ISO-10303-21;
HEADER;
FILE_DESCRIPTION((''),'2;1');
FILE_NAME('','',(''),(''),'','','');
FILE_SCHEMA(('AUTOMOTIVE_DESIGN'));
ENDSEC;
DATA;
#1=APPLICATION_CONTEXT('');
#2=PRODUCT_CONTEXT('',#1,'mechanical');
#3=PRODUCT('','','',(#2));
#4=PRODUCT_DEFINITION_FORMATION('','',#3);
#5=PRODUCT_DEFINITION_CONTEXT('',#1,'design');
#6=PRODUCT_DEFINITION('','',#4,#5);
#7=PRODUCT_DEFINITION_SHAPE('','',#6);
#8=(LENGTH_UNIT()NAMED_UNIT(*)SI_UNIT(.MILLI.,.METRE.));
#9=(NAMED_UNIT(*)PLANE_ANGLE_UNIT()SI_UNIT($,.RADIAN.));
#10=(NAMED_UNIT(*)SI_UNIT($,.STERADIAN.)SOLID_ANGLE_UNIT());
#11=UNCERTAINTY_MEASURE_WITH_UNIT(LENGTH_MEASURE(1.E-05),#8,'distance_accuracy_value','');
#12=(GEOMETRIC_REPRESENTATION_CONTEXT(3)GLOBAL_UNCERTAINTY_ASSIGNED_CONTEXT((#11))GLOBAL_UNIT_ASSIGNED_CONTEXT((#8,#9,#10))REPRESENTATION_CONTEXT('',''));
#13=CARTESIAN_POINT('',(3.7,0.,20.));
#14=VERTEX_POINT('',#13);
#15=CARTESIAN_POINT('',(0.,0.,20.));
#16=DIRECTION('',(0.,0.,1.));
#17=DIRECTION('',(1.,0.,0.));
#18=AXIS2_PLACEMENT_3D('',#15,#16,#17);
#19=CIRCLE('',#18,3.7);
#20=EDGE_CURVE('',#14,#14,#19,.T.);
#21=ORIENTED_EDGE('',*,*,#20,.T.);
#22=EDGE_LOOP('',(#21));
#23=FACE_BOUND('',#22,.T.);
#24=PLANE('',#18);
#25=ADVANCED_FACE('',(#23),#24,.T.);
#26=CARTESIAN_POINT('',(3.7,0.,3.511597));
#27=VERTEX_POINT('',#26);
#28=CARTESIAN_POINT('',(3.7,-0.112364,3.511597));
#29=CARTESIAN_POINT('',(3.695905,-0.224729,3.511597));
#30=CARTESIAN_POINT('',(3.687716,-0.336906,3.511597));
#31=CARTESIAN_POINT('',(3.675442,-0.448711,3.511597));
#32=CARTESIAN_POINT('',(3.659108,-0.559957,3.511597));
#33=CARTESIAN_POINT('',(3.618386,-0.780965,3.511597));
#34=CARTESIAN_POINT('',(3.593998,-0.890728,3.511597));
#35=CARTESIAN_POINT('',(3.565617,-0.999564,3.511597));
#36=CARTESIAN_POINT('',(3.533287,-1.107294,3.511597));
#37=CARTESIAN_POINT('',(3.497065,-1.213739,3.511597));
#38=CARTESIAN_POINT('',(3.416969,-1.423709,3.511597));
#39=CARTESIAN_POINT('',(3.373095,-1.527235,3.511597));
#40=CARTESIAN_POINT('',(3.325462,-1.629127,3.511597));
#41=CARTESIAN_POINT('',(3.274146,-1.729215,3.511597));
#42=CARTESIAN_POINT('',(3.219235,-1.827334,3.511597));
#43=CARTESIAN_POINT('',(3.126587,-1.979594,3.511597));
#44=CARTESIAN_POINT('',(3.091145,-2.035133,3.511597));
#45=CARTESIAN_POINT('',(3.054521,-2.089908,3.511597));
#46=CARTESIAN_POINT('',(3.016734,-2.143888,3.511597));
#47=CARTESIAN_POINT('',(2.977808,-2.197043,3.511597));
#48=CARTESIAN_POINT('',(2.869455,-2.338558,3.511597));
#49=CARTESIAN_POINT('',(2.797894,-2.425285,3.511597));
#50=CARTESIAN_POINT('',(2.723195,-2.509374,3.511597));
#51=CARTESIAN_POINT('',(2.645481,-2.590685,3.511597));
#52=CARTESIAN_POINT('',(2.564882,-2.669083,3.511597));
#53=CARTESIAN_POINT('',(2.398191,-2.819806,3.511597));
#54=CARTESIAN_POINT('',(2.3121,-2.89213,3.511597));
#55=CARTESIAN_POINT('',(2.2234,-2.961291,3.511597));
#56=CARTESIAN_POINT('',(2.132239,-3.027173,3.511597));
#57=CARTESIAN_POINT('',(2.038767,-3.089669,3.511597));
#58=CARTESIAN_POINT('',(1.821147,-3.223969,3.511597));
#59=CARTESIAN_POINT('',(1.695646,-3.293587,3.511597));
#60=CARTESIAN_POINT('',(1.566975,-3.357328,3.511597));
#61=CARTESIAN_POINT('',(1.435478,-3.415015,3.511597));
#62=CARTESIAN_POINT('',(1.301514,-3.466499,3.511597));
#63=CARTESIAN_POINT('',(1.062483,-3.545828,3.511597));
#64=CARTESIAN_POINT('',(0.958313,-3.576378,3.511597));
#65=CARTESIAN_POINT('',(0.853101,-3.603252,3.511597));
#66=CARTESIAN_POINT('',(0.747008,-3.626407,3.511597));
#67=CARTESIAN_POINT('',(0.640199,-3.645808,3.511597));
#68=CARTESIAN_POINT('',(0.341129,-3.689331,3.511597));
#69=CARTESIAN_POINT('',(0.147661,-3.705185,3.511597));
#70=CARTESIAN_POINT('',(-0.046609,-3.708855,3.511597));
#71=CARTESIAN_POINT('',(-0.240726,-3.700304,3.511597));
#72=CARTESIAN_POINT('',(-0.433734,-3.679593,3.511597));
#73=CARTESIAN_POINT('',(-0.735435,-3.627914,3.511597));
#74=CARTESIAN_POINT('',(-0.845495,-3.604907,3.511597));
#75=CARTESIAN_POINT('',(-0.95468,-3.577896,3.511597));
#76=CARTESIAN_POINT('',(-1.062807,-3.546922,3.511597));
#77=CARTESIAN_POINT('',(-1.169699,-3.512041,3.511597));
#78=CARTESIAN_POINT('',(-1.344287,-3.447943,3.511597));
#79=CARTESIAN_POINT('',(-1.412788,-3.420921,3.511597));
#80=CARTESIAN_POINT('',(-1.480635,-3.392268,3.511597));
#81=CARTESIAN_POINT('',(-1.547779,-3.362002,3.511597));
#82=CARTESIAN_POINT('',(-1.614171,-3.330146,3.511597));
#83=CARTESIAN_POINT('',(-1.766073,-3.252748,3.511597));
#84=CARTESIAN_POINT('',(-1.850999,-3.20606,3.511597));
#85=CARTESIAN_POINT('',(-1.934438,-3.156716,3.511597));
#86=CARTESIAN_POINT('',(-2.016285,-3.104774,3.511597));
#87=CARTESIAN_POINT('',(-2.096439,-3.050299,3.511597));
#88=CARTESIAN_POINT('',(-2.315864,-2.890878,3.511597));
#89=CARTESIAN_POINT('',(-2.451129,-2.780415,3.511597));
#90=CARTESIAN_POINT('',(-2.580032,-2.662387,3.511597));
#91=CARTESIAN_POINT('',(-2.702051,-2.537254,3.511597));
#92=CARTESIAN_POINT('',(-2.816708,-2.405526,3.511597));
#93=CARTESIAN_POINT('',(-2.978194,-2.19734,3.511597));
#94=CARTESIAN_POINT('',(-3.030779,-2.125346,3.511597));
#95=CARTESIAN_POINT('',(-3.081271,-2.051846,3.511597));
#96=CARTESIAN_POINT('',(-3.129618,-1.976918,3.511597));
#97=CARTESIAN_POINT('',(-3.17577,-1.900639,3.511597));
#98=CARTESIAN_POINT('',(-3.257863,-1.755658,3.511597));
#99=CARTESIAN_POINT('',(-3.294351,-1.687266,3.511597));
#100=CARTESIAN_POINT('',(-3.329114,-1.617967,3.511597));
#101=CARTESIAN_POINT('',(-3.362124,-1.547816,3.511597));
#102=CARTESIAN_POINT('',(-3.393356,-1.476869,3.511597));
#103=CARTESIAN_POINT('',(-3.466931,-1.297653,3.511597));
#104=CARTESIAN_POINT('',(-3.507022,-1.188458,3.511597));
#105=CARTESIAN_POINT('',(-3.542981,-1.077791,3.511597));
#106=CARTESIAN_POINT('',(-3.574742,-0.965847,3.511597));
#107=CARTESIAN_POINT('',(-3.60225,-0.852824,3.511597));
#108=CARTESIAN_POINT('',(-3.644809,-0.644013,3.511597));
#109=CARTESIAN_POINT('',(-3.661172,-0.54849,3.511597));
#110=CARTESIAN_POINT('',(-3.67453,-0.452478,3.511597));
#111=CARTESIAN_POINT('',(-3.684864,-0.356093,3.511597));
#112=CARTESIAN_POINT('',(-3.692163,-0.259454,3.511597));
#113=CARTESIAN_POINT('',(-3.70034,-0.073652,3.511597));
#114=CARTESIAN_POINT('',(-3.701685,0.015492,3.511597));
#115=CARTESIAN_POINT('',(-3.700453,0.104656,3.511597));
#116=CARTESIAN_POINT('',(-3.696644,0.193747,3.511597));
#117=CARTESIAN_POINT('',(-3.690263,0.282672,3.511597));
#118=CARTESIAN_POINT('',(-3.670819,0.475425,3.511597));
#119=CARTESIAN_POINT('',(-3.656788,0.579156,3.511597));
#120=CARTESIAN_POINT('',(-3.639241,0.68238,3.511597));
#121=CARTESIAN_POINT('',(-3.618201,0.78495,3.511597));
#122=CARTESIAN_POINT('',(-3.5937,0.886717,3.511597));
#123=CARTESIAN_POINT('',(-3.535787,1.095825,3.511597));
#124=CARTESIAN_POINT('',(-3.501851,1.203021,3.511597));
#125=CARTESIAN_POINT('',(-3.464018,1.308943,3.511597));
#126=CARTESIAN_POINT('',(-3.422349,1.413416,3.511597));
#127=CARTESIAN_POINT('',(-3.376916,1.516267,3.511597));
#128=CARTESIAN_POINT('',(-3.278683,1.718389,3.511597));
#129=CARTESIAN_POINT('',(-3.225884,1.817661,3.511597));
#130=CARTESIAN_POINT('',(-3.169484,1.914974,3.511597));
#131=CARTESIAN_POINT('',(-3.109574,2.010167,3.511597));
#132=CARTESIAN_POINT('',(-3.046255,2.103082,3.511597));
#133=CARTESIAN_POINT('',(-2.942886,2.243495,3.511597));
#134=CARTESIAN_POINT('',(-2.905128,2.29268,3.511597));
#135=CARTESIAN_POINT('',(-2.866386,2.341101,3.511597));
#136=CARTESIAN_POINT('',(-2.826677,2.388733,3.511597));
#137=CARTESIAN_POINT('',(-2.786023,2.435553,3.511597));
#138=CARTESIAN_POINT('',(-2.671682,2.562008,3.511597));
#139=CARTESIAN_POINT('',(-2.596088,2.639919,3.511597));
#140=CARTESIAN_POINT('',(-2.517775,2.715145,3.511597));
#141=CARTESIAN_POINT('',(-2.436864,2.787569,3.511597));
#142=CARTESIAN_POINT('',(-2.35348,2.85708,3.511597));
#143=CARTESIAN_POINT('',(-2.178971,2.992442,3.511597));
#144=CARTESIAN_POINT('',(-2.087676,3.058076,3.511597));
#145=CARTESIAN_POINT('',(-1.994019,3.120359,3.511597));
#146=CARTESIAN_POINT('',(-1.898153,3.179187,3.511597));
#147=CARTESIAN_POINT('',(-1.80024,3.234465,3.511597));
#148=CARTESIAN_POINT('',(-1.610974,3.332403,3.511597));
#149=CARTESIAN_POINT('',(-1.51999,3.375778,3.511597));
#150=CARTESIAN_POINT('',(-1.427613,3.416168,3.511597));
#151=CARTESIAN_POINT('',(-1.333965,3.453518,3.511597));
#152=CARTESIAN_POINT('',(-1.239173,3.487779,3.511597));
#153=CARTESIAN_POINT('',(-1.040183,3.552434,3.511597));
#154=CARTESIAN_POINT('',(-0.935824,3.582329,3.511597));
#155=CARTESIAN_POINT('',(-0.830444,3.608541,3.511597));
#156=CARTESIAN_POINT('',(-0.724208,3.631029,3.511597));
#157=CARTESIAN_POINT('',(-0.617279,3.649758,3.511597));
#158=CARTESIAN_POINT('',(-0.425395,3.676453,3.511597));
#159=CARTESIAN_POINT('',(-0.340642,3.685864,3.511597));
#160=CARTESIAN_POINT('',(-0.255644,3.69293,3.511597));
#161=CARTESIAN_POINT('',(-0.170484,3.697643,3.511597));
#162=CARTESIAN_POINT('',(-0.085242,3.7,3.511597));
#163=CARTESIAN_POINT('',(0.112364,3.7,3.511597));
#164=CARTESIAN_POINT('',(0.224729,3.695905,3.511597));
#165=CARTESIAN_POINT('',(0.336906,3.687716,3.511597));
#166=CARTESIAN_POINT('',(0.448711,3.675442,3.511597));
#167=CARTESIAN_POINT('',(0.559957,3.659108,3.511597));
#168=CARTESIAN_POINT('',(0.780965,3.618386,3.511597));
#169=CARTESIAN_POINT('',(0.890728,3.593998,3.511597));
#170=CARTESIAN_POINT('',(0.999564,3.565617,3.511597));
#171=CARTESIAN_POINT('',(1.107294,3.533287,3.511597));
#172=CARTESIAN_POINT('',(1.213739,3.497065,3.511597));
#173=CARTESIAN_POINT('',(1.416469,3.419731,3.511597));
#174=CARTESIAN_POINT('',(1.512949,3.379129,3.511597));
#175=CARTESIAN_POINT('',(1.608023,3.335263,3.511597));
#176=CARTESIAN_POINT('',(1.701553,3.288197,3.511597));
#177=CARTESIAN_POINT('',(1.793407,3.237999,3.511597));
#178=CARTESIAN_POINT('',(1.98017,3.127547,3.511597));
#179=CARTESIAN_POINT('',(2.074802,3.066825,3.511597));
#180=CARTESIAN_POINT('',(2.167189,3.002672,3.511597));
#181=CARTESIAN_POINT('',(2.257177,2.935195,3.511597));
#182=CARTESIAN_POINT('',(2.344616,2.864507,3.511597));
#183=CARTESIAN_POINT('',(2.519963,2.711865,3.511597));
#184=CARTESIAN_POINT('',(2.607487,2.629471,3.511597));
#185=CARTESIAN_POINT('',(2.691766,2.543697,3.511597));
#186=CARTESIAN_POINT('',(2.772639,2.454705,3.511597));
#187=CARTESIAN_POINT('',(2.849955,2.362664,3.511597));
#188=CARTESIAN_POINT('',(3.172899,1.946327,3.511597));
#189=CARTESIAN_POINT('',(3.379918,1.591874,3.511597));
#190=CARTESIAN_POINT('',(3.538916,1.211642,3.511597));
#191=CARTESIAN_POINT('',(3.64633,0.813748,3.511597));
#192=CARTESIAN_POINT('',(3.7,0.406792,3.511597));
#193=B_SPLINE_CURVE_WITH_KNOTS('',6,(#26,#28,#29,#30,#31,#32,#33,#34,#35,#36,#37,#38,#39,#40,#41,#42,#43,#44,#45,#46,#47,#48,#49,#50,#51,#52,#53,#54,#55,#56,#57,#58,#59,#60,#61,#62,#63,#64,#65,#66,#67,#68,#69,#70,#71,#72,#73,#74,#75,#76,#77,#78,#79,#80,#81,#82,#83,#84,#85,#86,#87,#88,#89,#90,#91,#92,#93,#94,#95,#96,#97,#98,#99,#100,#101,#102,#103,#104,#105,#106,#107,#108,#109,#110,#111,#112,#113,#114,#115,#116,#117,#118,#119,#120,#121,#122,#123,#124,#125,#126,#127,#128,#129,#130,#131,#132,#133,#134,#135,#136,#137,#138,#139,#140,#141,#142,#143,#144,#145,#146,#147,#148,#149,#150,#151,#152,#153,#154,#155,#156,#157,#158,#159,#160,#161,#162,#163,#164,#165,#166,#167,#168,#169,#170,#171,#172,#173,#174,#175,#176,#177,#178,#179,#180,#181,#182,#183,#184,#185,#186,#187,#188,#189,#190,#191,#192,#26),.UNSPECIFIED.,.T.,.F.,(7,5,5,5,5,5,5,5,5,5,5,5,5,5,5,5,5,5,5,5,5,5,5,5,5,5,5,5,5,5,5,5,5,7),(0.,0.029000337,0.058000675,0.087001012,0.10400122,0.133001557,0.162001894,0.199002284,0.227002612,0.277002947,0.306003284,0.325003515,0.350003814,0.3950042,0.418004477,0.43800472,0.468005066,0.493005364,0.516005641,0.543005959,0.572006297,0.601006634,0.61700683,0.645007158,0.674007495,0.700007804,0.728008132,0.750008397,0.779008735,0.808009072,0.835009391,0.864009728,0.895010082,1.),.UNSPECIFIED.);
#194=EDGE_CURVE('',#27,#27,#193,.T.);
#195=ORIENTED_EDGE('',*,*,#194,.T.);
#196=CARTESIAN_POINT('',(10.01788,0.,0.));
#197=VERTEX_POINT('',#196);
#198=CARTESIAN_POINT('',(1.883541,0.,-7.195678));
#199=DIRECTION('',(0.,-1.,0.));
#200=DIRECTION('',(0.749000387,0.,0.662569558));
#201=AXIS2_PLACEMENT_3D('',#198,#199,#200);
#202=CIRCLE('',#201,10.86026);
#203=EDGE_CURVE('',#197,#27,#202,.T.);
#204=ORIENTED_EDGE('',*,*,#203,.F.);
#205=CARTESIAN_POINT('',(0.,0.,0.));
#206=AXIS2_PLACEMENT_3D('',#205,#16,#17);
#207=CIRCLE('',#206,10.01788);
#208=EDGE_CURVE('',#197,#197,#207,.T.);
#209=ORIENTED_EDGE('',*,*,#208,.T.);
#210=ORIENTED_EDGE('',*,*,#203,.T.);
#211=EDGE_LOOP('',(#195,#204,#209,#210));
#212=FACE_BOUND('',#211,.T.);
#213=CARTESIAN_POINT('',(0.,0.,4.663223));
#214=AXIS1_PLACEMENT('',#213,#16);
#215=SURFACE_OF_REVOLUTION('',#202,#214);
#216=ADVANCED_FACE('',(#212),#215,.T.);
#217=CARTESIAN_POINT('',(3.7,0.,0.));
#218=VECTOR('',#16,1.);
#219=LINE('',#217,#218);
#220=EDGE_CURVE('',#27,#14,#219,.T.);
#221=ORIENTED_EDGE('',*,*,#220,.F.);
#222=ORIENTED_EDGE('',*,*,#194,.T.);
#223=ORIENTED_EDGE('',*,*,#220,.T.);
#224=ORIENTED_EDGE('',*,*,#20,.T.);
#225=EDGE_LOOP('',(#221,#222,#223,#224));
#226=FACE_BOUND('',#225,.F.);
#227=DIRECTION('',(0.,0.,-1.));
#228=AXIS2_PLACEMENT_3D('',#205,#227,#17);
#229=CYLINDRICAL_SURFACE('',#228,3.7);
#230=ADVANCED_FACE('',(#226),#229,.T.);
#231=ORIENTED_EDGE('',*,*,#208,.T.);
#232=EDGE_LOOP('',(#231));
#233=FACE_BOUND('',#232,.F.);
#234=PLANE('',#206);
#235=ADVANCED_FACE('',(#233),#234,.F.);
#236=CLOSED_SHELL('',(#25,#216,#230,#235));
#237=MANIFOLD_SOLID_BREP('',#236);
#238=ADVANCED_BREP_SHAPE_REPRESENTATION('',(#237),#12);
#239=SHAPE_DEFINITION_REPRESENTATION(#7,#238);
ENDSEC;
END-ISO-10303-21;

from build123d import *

# Parameters (mm, degrees)
F2_R     = 3.7
F3_DEPTH = 20


with BuildPart() as f1:
    # F0 (on Front) → F1 (revolve)
    with BuildSketch(Plane.XZ):
        with BuildLine():
            Line((0, 3.5), (0, 0))
            Line((0, 0), (10.01788, 0))
            ThreePointArc((10.01788, 0), (5.465526, 3.056865), (0, 3.5))
        make_face()
    revolve(axis=Axis((0, 0, 4.663223), (0, 0, 1)))

    # F2 (on Top) → F3 (join)
    with BuildSketch(Plane.XY):
        Circle(F2_R)
    extrude(amount=F3_DEPTH)


solid = f1.part
